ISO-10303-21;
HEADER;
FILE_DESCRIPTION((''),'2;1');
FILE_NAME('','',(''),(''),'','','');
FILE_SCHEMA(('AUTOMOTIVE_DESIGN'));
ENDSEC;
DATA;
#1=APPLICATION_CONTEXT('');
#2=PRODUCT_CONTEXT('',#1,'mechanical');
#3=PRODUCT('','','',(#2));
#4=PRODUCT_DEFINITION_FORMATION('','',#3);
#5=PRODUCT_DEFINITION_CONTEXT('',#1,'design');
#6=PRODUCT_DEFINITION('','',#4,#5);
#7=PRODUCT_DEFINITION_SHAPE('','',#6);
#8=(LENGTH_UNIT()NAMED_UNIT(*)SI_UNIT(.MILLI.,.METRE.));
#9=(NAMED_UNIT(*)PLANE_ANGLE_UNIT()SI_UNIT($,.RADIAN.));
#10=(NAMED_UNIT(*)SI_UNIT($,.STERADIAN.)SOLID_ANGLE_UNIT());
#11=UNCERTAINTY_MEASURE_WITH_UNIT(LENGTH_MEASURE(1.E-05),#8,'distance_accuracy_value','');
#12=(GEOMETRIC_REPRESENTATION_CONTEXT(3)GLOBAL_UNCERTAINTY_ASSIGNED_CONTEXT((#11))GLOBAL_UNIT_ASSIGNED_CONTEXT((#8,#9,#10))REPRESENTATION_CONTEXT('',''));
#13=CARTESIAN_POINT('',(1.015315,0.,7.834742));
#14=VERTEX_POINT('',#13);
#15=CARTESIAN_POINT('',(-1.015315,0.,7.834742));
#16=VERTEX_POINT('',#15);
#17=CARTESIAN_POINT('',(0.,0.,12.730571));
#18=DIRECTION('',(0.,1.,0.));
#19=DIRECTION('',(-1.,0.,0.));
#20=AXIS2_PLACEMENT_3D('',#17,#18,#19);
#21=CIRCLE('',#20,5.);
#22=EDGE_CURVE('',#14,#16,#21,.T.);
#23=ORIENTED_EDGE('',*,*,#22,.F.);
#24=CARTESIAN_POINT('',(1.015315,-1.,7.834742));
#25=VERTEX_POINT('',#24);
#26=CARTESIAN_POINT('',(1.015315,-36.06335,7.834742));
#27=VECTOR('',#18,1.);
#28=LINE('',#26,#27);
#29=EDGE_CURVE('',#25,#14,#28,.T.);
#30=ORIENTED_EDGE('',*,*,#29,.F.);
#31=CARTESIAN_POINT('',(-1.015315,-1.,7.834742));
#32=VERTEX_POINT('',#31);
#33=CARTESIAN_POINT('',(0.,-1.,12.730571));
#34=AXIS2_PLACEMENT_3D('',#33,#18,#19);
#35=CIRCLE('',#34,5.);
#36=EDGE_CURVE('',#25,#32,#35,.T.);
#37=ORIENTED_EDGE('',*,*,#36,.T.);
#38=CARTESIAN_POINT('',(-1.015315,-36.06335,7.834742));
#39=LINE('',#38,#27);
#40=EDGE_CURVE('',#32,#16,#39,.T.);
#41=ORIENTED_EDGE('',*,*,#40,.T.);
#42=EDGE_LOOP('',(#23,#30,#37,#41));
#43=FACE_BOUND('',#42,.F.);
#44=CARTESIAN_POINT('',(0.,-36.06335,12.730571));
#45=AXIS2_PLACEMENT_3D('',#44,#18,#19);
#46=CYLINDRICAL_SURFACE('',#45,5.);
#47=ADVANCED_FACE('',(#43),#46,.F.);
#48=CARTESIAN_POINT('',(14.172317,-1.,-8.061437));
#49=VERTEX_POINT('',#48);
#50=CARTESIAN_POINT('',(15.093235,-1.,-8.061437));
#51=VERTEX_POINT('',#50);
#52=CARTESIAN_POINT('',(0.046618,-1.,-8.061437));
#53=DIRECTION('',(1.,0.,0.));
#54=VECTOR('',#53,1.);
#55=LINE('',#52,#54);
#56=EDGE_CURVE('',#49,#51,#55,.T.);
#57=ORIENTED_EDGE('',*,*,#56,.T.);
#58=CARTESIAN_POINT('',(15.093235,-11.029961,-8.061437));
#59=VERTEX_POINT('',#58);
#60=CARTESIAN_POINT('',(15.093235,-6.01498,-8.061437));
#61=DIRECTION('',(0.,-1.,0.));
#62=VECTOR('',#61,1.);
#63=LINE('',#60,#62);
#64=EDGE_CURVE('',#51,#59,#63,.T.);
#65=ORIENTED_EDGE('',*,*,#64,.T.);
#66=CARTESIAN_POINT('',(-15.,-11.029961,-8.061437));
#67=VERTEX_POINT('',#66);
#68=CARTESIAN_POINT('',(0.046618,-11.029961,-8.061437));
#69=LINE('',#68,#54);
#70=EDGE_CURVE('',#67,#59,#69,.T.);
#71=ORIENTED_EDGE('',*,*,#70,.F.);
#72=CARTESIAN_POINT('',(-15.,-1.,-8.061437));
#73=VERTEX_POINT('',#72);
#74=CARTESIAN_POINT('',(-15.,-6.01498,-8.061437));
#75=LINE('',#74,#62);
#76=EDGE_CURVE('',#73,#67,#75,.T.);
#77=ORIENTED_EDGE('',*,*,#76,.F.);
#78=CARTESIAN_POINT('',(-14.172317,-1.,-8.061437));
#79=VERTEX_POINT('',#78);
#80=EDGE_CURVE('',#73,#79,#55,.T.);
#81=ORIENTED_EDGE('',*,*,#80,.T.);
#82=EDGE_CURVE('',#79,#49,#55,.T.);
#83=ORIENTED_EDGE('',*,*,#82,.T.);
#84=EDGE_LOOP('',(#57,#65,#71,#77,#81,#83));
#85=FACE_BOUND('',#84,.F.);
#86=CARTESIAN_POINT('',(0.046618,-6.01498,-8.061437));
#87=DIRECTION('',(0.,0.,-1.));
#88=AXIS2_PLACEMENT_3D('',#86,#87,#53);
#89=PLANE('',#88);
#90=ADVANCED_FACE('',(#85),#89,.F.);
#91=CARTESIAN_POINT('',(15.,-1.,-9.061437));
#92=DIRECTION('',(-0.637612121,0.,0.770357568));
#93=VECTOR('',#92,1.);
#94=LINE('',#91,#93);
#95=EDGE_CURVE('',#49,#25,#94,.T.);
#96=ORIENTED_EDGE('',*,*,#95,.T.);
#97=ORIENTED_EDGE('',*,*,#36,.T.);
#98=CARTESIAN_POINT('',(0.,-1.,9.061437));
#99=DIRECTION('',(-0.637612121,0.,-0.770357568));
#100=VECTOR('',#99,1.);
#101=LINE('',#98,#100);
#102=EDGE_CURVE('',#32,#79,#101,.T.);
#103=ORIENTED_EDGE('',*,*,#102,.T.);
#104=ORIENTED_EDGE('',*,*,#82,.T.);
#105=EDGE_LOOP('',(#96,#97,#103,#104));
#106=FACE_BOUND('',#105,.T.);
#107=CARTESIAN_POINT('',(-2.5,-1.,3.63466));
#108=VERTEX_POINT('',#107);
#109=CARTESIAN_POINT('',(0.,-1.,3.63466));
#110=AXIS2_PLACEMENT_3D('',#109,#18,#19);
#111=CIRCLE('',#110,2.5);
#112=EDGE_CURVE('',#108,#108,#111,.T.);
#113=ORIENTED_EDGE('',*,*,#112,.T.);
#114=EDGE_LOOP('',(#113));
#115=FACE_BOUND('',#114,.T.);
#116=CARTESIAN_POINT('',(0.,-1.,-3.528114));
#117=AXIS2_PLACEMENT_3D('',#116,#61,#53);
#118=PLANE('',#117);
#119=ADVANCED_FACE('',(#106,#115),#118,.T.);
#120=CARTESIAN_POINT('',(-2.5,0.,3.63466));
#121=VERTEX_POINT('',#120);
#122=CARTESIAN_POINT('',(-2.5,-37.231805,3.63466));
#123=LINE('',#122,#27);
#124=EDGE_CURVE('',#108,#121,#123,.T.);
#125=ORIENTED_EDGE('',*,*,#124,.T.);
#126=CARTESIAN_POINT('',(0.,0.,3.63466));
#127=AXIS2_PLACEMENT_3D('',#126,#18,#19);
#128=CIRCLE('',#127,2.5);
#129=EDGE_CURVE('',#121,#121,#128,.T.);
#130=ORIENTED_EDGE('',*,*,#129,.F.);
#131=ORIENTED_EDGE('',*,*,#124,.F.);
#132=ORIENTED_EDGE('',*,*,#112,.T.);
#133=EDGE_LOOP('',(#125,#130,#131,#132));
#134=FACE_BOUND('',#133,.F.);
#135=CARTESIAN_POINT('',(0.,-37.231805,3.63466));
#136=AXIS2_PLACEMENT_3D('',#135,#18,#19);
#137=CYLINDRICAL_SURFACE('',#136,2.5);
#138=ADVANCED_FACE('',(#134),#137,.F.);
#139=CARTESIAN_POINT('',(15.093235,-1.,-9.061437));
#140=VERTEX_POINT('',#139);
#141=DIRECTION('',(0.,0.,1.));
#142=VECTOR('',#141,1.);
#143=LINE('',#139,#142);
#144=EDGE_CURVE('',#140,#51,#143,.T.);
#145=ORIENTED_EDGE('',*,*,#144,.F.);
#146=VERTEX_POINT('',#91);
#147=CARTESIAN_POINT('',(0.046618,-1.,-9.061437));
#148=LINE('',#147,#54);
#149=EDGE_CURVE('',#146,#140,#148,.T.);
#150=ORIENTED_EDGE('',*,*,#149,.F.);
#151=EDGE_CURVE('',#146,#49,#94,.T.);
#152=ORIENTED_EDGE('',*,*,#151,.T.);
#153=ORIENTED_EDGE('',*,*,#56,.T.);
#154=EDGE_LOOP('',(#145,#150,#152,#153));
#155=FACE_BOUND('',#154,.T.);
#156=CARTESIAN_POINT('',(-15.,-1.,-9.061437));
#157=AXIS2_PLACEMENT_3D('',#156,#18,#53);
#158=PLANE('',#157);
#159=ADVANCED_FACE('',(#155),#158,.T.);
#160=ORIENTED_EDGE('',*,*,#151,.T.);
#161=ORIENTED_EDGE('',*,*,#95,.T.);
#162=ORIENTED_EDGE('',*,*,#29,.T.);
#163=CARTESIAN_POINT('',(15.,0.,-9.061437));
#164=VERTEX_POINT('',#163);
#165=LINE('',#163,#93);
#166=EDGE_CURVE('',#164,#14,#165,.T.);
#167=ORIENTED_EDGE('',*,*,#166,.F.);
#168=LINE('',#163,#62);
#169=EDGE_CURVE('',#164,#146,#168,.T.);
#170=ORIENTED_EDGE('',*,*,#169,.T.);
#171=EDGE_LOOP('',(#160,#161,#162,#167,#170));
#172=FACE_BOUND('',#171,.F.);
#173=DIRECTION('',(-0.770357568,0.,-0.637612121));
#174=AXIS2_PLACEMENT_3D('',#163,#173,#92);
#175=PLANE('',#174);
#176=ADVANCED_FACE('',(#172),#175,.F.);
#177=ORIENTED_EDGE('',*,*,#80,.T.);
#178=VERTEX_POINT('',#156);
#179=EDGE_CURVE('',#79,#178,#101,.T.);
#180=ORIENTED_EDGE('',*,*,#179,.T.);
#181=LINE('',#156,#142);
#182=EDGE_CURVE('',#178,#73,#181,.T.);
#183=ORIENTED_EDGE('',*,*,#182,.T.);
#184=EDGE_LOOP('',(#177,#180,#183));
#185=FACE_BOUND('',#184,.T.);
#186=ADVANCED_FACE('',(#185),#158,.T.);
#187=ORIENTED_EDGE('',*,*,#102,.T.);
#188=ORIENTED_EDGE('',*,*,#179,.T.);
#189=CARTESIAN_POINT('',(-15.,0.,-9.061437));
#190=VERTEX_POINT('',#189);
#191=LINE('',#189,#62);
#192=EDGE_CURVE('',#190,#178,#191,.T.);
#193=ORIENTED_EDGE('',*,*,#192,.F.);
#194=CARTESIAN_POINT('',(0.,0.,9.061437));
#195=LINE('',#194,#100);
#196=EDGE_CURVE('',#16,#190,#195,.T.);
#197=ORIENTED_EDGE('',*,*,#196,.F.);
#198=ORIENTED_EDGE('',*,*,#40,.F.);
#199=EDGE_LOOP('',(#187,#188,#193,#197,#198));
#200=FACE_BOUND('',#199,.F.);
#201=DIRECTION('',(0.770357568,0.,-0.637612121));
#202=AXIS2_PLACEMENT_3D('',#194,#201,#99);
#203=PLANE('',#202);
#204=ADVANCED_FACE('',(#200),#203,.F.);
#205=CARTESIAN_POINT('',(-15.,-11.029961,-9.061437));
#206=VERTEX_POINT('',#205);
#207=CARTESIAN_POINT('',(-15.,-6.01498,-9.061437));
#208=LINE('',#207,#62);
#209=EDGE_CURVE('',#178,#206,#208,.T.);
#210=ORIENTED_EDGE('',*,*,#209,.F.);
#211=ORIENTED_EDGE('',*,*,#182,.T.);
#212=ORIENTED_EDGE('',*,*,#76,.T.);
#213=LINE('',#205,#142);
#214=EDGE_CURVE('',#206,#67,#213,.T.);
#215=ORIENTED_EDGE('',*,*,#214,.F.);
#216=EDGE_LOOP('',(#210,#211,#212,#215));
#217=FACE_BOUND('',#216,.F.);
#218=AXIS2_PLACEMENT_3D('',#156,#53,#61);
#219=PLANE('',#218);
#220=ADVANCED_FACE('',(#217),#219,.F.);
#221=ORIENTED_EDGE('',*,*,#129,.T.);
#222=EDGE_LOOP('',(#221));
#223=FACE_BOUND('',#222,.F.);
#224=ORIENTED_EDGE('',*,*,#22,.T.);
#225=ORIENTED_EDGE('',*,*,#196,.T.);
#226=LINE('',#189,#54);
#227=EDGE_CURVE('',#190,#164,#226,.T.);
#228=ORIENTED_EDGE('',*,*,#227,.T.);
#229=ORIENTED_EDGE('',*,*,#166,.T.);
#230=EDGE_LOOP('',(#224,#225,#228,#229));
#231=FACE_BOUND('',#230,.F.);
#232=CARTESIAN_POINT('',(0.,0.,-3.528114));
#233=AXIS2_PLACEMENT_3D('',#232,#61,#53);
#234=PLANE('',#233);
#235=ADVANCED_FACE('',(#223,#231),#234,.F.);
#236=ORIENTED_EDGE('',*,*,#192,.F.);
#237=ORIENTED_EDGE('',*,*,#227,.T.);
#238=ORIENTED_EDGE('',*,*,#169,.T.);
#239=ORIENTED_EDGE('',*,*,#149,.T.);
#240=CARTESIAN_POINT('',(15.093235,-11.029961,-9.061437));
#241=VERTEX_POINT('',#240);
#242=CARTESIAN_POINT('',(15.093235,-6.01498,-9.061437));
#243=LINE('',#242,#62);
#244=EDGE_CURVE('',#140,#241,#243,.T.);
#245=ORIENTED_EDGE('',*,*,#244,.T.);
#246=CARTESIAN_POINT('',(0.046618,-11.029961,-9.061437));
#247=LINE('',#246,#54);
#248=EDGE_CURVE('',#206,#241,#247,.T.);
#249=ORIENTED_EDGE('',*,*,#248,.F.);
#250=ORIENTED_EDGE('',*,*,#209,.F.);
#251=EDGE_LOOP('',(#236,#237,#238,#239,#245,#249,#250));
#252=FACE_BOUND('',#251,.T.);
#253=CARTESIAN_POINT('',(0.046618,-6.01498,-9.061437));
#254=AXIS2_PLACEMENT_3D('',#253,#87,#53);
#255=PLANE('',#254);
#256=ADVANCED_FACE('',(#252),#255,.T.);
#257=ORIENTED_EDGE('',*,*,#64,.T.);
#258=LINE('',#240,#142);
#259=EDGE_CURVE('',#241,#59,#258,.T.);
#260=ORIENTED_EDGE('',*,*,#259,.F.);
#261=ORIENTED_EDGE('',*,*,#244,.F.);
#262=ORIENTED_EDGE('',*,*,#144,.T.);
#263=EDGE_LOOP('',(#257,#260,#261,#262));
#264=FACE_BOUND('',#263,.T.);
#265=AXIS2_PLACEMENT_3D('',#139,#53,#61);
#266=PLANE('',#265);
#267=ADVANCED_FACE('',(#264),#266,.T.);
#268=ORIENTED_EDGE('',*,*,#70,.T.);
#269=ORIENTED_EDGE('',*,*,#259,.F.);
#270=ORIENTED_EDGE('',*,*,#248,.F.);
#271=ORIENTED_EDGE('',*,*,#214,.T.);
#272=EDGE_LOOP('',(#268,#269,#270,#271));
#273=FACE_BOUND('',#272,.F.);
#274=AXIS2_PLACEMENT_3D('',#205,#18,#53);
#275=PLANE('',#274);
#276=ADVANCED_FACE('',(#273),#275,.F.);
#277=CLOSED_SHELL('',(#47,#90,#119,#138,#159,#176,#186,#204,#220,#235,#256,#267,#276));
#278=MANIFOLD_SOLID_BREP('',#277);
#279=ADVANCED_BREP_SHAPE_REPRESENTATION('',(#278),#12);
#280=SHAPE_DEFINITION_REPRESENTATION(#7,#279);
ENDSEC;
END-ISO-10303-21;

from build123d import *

# Parameters (mm, degrees)
F1_DEPTH = 1
F3_D     = 10
F4_W     = 30.093235299
F4_H     = 10.0299605876
F5_DEPTH = 1
F7_D     = 5


with BuildPart() as f1:
    # F0 (on Front) → F1 (new body)
    with BuildSketch(Plane.XZ):
        Polygon((-15, -9.0614365251), (15, -9.0614365251), (0, 9.0614365251), align=None)
    extrude(amount=F1_DEPTH)

    # F3 (through all)
    with Locations(Plane.XZ.offset(1)):
        with Locations((0, 12.73057051)):
            Hole(F3_D / 2)

    # F4 (on face) → F5 (join)
    with BuildSketch(Plane(origin=(0, 0, -9.0614365251), x_dir=(1, 0, 0), z_dir=(0, 0, -1))):
        with Locations((0.0466176495, 6.0149802938)):
            Rectangle(F4_W, F4_H)
    extrude(amount=-F5_DEPTH)

    # F7 (through all)
    with Locations(Plane.XZ.offset(1)):
        with Locations((0, 3.6346598063)):
            Hole(F7_D / 2)


solid = f1.part
